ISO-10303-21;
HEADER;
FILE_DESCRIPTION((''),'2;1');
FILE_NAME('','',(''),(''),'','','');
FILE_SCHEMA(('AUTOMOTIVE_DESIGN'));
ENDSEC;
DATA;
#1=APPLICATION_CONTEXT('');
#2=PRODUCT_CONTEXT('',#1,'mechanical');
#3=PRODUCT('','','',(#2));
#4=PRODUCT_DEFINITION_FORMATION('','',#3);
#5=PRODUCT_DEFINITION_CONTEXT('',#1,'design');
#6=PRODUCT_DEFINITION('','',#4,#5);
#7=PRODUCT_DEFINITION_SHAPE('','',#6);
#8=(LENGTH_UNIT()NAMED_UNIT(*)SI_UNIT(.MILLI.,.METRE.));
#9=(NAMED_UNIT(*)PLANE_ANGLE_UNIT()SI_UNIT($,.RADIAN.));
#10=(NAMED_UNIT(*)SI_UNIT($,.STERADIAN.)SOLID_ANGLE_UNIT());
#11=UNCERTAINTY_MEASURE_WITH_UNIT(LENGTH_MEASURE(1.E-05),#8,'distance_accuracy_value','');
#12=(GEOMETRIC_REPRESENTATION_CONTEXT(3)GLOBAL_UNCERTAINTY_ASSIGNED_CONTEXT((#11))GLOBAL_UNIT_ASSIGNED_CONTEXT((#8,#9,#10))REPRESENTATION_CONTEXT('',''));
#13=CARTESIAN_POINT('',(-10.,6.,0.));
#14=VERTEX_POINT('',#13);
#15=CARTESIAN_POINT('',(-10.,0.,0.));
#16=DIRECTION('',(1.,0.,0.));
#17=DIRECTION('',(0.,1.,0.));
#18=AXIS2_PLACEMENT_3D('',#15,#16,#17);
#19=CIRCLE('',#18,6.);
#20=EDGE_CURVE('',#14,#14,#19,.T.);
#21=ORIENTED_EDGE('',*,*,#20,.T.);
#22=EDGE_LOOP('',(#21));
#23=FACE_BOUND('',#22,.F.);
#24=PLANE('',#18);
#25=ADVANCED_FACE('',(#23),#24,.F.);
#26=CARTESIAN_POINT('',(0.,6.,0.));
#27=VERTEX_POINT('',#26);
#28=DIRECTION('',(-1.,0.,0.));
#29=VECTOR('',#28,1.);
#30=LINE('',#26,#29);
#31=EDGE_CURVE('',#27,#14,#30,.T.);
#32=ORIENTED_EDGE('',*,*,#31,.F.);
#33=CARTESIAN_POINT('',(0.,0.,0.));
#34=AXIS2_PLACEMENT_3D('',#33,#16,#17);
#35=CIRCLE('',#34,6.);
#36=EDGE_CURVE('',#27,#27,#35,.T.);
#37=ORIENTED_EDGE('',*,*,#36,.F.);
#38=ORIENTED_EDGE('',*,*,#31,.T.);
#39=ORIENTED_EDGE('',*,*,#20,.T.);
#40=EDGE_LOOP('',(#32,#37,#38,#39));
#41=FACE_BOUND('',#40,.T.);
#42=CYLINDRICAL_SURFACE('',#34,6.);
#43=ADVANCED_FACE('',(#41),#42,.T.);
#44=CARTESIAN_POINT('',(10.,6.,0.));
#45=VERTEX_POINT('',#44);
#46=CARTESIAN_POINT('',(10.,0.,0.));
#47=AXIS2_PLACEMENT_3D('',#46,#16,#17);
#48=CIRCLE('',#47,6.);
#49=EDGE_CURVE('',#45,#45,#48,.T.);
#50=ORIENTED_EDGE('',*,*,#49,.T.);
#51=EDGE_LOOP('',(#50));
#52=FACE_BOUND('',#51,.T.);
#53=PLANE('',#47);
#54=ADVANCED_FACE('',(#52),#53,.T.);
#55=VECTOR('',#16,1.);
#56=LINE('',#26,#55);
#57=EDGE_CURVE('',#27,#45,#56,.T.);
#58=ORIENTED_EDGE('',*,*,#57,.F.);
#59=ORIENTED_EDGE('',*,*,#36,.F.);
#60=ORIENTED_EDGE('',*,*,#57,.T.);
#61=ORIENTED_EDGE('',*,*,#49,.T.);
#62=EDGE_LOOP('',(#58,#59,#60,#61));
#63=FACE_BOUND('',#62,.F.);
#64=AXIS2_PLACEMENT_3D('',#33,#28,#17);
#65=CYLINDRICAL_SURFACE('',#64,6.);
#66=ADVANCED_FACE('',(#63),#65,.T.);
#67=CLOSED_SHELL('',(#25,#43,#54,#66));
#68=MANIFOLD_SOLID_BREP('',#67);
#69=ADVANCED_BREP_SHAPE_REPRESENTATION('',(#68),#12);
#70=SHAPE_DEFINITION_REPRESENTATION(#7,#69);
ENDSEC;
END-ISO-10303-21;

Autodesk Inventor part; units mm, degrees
ref_plane "YZ Plane" through (0, 0, 0) normal (1, 0, 0) x (0, 1, 0)
ref_plane "XZ Plane" through (0, 0, 0) normal (0, 1, 0) x (-1, 0, 0)
ref_plane "XY Plane" through (0, 0, 0) normal (0, 0, 1) x (1, 0, 0)
sketch "Sketch1" plane through (0, 0, 0) normal (1, 0, 0) x (0, 1, 0)
  circle A0 centre (0, 0) radius 6
  dimension "d0" = 12
extrude "Extrusion1" add sketch "Sketch1" along normal mid plane 20
properties part number "the_part_that_holds_everything_together" material "Stainless Steel"
